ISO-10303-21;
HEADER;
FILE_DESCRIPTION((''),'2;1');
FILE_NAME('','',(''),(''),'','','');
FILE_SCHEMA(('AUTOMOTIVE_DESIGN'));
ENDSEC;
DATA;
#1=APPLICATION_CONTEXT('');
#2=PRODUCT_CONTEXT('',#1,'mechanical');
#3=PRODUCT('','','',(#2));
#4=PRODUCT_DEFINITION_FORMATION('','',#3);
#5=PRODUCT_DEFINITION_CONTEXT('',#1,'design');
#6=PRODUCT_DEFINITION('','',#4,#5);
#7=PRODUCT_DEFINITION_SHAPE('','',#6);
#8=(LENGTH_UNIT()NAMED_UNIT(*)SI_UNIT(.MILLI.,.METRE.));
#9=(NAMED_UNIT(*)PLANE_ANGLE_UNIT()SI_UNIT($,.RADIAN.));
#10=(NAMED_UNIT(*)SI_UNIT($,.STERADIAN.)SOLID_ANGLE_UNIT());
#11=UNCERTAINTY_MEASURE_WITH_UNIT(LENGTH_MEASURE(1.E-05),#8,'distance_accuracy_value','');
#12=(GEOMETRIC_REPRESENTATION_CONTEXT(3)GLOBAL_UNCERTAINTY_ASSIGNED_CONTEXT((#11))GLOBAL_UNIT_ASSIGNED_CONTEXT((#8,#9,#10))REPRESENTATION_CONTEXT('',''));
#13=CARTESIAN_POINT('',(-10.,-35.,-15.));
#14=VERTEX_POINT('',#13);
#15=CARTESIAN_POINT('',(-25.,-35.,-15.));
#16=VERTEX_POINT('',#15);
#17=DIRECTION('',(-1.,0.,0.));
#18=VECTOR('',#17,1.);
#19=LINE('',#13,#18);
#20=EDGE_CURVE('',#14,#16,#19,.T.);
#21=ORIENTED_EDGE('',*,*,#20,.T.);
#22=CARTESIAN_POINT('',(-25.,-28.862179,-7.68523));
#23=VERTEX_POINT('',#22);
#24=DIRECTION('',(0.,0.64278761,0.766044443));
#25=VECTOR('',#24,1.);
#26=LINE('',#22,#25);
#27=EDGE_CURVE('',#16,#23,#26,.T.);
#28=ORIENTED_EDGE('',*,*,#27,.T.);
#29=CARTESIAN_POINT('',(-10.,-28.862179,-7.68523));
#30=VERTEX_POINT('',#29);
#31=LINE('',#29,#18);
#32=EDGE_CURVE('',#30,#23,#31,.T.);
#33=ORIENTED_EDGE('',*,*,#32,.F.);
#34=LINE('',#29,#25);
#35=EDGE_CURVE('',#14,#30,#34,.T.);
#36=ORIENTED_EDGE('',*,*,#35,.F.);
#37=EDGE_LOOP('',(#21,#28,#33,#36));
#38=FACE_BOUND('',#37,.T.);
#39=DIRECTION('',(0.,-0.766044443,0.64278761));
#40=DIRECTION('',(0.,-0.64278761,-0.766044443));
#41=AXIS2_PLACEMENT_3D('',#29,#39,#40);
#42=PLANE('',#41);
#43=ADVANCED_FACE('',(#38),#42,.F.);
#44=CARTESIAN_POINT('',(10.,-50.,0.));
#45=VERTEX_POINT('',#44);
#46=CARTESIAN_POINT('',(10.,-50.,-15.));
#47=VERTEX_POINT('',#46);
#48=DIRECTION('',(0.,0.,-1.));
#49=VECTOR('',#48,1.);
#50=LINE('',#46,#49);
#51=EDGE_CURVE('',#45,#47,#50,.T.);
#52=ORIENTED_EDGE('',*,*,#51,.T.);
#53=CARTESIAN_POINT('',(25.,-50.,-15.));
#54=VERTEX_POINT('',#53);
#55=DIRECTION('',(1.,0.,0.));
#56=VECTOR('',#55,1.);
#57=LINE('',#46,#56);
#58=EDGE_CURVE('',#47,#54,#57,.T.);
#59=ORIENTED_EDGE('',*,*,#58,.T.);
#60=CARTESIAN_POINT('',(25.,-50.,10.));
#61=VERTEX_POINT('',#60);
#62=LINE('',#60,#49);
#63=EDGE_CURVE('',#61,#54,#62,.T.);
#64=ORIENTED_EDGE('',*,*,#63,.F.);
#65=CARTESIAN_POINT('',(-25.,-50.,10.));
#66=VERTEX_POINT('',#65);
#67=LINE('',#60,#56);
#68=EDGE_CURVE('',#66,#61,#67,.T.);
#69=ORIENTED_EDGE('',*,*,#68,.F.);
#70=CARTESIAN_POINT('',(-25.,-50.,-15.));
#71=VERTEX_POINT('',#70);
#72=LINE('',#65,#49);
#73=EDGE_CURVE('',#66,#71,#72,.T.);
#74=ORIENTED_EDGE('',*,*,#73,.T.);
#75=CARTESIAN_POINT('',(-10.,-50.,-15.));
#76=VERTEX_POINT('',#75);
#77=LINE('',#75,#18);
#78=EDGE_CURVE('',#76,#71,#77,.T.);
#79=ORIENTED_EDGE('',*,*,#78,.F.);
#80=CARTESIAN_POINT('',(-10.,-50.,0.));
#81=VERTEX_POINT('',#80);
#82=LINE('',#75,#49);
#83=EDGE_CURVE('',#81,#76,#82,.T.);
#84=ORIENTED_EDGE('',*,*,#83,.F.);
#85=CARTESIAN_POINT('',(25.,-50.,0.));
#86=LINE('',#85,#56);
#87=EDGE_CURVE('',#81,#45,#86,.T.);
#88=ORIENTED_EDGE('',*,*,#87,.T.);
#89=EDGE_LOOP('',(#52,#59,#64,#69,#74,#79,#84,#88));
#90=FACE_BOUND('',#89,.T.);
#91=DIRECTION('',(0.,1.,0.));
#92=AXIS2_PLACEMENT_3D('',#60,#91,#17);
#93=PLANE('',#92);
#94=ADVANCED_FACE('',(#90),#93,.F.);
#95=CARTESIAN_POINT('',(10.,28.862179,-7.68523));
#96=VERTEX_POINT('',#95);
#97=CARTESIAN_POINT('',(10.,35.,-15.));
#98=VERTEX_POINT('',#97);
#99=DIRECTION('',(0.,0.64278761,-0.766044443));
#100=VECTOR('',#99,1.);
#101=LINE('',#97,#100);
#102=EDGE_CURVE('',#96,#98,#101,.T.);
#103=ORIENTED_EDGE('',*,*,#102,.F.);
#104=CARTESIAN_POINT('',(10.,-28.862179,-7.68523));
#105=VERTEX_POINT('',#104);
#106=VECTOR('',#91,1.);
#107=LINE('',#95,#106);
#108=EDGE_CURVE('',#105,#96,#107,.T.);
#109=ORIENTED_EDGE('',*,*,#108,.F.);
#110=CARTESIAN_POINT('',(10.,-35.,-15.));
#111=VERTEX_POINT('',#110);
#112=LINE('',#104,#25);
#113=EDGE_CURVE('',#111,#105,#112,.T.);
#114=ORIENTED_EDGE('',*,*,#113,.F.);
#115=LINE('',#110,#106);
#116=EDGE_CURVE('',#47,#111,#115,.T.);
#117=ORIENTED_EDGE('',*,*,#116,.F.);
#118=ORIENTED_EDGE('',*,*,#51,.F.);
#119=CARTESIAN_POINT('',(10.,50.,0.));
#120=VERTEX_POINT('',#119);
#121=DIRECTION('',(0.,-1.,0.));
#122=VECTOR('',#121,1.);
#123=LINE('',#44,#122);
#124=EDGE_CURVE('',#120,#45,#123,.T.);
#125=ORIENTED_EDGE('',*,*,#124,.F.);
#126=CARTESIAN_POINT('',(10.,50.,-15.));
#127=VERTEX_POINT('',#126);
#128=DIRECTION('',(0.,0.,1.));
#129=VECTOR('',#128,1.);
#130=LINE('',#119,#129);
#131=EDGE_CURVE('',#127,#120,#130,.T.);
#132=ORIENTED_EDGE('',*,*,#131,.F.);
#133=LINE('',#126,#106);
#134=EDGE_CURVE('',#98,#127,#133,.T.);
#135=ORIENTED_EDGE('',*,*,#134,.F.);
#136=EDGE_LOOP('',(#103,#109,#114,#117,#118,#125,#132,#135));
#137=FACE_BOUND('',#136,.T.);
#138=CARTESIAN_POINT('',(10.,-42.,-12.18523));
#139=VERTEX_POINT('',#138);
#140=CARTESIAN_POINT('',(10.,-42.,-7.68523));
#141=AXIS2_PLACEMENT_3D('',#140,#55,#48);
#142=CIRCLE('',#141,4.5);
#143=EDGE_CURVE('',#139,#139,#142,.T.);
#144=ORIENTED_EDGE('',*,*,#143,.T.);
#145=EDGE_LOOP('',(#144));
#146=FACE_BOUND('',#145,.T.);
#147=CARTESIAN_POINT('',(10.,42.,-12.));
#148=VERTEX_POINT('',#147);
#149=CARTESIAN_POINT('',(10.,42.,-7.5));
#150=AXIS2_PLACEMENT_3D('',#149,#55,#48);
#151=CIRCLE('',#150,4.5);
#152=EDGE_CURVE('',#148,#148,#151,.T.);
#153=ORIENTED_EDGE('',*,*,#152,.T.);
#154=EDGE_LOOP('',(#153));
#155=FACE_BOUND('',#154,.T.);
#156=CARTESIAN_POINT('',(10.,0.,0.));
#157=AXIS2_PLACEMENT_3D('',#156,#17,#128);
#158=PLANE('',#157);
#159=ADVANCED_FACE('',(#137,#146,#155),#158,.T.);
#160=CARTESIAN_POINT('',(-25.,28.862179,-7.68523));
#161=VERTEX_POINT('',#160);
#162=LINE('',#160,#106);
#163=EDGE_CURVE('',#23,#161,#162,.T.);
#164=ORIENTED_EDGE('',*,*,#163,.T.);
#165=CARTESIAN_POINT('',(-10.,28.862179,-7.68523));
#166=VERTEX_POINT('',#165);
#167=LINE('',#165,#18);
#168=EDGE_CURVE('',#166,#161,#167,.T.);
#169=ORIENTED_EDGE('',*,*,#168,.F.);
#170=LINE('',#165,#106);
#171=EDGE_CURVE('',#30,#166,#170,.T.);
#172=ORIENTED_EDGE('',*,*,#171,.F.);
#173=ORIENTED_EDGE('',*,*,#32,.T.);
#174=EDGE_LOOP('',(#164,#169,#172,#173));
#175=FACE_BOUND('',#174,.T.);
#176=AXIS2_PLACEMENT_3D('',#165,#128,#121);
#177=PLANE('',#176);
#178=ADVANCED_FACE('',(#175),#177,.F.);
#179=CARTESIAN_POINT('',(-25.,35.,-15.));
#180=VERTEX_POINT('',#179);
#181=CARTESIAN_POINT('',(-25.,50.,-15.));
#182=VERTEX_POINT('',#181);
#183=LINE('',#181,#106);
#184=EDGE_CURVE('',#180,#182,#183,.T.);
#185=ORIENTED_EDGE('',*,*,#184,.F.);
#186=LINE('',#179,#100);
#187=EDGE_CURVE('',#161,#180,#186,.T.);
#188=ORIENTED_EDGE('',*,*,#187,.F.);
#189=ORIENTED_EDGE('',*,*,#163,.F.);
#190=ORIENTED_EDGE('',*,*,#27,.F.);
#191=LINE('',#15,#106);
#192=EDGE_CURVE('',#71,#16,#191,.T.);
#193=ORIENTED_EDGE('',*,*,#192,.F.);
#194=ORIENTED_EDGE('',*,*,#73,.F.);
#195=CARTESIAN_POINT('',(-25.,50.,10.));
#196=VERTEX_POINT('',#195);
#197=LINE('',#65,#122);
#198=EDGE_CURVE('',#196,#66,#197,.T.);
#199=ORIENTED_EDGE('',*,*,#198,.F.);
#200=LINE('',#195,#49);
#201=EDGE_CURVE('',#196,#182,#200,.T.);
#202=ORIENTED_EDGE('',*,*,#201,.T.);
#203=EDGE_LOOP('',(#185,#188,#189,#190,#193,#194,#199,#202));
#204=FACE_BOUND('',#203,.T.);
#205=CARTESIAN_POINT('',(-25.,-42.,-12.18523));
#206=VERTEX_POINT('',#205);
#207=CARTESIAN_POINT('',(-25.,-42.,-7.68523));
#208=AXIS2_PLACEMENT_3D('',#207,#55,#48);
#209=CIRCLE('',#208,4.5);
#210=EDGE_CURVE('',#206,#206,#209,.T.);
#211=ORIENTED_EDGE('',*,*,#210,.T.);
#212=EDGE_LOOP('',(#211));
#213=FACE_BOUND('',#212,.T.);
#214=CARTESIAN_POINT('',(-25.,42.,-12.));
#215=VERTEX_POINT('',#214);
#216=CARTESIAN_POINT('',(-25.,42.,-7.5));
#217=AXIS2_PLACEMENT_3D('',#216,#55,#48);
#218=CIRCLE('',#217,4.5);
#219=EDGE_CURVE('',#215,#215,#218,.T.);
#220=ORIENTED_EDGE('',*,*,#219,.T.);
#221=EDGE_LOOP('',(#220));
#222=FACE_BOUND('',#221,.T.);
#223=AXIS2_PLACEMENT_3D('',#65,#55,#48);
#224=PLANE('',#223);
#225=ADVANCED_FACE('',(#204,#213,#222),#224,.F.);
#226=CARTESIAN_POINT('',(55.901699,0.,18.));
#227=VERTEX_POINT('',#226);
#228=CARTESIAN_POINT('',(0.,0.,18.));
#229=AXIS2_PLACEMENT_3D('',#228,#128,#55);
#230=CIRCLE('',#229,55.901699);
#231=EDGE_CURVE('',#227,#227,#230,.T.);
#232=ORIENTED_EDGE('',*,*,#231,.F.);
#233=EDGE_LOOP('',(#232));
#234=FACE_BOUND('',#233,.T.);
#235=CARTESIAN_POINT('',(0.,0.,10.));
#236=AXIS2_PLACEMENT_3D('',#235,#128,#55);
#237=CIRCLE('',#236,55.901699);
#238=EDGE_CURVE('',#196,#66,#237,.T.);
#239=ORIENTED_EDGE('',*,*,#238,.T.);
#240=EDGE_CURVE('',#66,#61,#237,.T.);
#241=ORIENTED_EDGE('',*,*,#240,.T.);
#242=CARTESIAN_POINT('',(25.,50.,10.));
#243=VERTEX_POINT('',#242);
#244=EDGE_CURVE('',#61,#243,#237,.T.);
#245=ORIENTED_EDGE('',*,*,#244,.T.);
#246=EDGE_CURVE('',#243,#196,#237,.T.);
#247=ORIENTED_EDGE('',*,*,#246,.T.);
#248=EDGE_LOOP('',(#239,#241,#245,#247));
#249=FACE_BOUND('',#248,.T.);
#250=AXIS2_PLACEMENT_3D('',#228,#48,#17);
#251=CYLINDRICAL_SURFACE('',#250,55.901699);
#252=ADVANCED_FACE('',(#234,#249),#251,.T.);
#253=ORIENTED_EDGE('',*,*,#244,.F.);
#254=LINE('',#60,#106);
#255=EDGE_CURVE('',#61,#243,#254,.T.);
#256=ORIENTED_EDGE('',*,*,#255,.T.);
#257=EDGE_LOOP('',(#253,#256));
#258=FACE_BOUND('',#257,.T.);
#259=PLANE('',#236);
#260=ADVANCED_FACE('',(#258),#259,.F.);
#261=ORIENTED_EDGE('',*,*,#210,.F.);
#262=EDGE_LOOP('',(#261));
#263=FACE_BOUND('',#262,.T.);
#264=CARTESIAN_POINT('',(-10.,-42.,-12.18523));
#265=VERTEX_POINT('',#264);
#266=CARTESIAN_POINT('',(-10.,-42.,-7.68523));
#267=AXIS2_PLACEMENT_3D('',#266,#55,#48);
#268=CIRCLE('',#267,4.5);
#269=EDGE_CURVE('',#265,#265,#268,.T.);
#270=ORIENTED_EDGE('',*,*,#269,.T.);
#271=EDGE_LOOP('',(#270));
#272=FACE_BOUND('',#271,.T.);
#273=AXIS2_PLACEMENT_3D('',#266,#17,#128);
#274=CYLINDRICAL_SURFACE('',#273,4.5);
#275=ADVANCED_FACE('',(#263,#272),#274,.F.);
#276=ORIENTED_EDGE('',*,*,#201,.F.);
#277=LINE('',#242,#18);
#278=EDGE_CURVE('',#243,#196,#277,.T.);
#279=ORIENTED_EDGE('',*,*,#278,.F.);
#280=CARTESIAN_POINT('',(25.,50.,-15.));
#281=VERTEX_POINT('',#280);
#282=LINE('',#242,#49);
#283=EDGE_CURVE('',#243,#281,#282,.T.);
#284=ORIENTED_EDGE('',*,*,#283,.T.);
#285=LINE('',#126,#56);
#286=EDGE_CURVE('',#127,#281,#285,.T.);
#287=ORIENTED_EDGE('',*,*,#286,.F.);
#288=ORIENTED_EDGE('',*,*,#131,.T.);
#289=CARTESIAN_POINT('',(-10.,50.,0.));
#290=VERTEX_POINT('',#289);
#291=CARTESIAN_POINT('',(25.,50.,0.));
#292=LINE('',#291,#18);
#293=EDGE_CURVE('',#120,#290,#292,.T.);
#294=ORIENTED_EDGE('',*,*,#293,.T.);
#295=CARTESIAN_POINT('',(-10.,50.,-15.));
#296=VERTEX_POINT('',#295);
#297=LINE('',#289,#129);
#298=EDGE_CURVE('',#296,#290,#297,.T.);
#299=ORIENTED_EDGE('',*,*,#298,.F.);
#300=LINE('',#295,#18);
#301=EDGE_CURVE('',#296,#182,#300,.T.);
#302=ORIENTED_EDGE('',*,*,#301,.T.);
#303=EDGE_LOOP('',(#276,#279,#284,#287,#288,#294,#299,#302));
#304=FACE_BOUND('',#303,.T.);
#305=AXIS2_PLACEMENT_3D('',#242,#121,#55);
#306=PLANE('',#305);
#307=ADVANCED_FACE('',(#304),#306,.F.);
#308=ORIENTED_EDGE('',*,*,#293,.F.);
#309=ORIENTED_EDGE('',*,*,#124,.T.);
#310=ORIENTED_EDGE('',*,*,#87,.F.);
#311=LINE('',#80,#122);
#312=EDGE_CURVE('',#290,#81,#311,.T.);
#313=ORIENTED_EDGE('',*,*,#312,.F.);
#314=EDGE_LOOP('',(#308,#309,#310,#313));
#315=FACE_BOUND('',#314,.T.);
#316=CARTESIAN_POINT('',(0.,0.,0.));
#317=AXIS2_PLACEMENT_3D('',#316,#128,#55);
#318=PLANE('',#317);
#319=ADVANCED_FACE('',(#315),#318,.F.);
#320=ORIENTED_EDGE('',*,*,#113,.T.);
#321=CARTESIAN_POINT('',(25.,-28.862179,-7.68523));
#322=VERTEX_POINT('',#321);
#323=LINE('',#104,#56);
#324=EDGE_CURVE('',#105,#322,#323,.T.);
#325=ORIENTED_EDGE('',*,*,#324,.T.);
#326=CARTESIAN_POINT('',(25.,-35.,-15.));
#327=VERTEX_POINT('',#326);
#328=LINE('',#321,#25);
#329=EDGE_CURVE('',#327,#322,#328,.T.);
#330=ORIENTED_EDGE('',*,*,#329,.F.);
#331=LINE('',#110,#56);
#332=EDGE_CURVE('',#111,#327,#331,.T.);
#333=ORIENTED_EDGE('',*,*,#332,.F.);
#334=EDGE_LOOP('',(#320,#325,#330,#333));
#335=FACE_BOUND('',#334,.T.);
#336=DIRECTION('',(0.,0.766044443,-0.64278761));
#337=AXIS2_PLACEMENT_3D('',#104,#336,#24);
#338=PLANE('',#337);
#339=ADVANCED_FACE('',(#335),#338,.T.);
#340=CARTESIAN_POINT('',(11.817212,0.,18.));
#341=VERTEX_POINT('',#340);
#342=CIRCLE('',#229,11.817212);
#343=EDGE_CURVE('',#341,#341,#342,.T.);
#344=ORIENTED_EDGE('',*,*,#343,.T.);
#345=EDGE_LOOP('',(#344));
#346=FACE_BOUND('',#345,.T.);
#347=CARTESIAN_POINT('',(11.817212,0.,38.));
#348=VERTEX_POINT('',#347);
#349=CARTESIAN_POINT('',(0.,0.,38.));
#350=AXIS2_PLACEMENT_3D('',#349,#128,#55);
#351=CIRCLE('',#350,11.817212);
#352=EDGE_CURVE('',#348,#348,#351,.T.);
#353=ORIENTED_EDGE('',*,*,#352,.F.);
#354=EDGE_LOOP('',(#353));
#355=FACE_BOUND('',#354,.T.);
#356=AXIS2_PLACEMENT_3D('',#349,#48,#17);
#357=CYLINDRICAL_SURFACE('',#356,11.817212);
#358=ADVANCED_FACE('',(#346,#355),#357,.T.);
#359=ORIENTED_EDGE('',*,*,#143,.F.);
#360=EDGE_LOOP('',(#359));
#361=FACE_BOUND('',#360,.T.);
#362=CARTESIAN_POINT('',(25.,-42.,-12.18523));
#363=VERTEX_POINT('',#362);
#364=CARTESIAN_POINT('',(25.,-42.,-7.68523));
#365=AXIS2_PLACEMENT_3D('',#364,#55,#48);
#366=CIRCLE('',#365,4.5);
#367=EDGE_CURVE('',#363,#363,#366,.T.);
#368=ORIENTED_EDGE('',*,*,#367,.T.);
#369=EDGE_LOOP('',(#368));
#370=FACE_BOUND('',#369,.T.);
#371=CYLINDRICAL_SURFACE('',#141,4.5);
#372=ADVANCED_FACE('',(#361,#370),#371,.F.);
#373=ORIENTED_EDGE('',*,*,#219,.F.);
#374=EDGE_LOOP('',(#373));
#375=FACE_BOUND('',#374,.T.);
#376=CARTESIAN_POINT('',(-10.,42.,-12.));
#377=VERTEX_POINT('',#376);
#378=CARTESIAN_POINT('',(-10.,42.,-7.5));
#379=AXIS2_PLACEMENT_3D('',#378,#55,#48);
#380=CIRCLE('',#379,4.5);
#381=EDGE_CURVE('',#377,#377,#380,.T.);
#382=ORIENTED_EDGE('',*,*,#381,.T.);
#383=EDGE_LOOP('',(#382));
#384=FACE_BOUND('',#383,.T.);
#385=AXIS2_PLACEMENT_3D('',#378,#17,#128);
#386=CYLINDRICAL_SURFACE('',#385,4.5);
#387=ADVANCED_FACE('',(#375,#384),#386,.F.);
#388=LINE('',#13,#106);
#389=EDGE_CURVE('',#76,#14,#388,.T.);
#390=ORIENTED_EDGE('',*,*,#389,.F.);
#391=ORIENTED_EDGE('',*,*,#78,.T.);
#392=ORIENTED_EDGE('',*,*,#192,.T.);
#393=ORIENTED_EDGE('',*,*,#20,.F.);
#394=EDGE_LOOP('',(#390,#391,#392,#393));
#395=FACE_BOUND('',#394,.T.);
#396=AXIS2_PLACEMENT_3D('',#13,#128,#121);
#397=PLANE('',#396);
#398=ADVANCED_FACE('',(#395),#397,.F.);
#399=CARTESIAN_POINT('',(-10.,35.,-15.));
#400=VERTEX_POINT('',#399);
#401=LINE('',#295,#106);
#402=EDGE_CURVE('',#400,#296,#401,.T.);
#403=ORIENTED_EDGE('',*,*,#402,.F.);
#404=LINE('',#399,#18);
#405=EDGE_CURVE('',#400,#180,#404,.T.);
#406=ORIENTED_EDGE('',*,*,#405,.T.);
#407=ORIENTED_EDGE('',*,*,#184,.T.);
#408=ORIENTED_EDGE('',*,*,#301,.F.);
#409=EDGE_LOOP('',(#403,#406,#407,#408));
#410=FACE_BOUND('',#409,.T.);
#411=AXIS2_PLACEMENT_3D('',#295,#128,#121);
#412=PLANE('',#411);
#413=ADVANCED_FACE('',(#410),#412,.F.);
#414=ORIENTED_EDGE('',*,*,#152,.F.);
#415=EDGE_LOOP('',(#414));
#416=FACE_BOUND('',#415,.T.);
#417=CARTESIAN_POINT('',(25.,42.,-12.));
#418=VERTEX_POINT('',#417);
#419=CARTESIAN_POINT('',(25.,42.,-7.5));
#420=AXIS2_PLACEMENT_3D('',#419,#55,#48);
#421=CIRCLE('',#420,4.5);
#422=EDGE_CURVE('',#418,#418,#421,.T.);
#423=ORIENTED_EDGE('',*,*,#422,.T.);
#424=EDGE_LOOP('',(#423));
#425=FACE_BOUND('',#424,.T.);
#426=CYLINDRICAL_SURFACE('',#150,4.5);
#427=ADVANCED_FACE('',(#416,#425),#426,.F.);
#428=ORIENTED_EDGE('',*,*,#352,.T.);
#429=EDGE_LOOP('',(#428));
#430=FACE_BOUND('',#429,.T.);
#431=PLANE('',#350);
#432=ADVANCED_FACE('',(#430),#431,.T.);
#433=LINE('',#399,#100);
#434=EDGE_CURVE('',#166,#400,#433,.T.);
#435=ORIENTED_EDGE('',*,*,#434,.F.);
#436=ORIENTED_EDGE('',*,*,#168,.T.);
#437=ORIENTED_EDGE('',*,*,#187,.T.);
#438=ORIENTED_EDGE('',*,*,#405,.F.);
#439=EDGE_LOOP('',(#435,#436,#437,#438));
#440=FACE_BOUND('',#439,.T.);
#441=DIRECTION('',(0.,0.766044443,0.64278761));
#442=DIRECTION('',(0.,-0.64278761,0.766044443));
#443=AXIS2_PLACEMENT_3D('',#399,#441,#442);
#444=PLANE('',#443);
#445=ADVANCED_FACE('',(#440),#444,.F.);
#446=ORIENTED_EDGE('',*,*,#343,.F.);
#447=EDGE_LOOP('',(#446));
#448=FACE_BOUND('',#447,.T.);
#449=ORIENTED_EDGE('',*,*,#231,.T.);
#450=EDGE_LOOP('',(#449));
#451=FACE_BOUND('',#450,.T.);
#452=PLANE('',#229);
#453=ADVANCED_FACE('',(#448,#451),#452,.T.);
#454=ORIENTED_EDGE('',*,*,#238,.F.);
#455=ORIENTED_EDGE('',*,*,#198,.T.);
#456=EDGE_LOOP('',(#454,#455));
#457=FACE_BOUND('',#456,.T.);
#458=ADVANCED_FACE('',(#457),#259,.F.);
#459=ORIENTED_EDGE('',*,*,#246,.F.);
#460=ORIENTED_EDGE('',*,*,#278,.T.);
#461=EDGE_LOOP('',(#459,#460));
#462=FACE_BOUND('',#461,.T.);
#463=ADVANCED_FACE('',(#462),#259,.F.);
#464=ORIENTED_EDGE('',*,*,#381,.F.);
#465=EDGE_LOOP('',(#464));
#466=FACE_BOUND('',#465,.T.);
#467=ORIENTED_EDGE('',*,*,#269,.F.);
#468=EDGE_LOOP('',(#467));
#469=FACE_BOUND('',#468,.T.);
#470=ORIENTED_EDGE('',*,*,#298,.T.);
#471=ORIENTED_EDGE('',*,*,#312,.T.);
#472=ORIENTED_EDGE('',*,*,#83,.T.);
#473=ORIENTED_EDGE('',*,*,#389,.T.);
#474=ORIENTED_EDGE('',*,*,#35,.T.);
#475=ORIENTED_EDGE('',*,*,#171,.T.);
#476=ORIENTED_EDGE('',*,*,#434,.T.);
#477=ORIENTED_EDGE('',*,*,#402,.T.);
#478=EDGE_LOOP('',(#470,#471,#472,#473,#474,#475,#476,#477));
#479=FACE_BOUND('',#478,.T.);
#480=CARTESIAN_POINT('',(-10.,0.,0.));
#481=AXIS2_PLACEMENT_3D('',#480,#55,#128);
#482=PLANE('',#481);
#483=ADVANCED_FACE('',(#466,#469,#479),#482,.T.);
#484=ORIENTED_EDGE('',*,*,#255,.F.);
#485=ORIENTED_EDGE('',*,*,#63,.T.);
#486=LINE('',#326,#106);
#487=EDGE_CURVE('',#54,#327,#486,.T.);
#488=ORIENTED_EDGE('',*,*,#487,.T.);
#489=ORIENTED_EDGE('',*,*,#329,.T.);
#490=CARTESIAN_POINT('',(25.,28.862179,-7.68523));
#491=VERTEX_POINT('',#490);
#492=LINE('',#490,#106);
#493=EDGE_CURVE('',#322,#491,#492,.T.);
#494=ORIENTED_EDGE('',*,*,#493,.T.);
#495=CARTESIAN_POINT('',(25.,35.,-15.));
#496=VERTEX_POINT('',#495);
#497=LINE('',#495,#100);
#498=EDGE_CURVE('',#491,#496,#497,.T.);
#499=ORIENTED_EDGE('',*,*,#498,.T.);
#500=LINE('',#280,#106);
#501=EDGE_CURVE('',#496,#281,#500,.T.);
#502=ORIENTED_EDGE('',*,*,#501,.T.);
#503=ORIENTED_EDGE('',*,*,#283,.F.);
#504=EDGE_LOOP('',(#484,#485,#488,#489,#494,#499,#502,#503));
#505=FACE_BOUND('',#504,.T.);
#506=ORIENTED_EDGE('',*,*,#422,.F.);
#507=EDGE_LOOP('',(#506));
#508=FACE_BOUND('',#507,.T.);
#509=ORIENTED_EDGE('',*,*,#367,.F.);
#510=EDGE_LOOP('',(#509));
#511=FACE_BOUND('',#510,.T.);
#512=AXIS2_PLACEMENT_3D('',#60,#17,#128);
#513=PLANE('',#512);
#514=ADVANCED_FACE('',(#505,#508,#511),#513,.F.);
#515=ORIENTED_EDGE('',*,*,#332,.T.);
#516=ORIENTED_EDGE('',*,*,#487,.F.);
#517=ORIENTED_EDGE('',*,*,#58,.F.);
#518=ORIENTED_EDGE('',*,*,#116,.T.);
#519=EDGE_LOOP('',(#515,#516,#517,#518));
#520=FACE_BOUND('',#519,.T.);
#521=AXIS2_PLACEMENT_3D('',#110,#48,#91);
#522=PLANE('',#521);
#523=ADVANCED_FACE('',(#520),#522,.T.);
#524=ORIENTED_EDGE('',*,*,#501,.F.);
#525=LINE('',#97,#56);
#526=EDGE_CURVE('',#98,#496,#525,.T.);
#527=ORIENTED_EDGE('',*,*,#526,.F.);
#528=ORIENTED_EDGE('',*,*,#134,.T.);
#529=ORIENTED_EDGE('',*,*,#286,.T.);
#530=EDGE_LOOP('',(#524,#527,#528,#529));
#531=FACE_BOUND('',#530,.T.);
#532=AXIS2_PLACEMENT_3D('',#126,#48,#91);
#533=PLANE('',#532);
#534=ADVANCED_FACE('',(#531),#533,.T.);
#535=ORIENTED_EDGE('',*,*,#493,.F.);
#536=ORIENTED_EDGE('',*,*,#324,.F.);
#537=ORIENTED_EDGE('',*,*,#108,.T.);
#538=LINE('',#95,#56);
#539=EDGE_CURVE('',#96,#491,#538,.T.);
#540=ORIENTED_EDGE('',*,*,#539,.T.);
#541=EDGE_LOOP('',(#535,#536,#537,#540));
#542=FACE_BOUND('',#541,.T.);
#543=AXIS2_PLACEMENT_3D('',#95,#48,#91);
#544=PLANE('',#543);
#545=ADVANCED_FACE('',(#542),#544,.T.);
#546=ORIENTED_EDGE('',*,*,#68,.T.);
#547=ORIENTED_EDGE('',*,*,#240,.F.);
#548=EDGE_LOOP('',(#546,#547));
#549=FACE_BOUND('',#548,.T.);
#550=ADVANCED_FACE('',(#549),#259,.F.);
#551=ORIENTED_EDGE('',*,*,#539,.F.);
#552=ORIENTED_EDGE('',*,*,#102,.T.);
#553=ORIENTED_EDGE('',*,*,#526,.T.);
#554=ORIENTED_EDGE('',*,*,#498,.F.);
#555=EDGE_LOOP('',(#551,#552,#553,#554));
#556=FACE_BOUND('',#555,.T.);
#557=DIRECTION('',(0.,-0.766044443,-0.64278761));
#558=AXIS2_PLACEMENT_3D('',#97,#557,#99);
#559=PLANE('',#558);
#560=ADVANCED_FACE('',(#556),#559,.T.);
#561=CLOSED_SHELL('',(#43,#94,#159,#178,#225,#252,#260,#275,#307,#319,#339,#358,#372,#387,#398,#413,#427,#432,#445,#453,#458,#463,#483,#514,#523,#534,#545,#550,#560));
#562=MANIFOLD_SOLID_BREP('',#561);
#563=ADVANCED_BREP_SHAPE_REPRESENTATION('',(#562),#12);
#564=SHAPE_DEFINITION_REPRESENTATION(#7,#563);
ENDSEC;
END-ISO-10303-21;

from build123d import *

# Parameters (mm, degrees)
SKETCH1_W           = 50
SKETCH1_H           = 100
BOSS_EXTRUDE1_DEPTH = 10
SKETCH10_R          = 4.5
BOSS_EXTRUDE2_DEPTH = 15
SKETCH11_R          = 55.901699437
BOSS_EXTRUDE3_DEPTH = 8
SKETCH13_R          = 11.817212027
BOSS_EXTRUDE4_DEPTH = 20


with BuildPart() as part:
    # Sketch1 → Boss-Extrude1 (new body)
    with BuildSketch(Plane.XY):
        Rectangle(SKETCH1_W, SKETCH1_H)
    extrude(amount=BOSS_EXTRUDE1_DEPTH)

    # Sketch10 → Boss-Extrude2 (add)
    with BuildSketch(Plane(origin=(25, 0, 0), x_dir=(0, 0, -1), z_dir=(1, 0, 0))):
        Polygon((0, 50), (15, 50), (15, 35), (7.685229658, 28.862178904), (7.685229658, -28.862178904), (15, -35), (15, -50), (0, -50), align=None)
        with Locations((7.5, 42)):
            Circle(SKETCH10_R, mode=Mode.SUBTRACT)
        with Locations((7.685229658, -42)):
            Circle(SKETCH10_R, mode=Mode.SUBTRACT)
    boss_extrude2 = extrude(amount=-BOSS_EXTRUDE2_DEPTH)

    # Mirror1: Boss-Extrude2 across plane
    add(boss_extrude2.mirror(Plane(origin=(0, 0, 0), x_dir=(0, 0, 1), z_dir=(1, 0, 0))))

    # Sketch11 → Boss-Extrude3 (add)
    with BuildSketch(Plane.XY.offset(10)):
        with Locations(Location((0, 0, 0), (0, 0, 116.565051177))):
            Circle(SKETCH11_R)
    extrude(amount=BOSS_EXTRUDE3_DEPTH)

    # Sketch13 → Boss-Extrude4 (add)
    with BuildSketch(Plane.XY.offset(18)):
        Circle(SKETCH13_R)
    extrude(amount=BOSS_EXTRUDE4_DEPTH)


solid = part.part
